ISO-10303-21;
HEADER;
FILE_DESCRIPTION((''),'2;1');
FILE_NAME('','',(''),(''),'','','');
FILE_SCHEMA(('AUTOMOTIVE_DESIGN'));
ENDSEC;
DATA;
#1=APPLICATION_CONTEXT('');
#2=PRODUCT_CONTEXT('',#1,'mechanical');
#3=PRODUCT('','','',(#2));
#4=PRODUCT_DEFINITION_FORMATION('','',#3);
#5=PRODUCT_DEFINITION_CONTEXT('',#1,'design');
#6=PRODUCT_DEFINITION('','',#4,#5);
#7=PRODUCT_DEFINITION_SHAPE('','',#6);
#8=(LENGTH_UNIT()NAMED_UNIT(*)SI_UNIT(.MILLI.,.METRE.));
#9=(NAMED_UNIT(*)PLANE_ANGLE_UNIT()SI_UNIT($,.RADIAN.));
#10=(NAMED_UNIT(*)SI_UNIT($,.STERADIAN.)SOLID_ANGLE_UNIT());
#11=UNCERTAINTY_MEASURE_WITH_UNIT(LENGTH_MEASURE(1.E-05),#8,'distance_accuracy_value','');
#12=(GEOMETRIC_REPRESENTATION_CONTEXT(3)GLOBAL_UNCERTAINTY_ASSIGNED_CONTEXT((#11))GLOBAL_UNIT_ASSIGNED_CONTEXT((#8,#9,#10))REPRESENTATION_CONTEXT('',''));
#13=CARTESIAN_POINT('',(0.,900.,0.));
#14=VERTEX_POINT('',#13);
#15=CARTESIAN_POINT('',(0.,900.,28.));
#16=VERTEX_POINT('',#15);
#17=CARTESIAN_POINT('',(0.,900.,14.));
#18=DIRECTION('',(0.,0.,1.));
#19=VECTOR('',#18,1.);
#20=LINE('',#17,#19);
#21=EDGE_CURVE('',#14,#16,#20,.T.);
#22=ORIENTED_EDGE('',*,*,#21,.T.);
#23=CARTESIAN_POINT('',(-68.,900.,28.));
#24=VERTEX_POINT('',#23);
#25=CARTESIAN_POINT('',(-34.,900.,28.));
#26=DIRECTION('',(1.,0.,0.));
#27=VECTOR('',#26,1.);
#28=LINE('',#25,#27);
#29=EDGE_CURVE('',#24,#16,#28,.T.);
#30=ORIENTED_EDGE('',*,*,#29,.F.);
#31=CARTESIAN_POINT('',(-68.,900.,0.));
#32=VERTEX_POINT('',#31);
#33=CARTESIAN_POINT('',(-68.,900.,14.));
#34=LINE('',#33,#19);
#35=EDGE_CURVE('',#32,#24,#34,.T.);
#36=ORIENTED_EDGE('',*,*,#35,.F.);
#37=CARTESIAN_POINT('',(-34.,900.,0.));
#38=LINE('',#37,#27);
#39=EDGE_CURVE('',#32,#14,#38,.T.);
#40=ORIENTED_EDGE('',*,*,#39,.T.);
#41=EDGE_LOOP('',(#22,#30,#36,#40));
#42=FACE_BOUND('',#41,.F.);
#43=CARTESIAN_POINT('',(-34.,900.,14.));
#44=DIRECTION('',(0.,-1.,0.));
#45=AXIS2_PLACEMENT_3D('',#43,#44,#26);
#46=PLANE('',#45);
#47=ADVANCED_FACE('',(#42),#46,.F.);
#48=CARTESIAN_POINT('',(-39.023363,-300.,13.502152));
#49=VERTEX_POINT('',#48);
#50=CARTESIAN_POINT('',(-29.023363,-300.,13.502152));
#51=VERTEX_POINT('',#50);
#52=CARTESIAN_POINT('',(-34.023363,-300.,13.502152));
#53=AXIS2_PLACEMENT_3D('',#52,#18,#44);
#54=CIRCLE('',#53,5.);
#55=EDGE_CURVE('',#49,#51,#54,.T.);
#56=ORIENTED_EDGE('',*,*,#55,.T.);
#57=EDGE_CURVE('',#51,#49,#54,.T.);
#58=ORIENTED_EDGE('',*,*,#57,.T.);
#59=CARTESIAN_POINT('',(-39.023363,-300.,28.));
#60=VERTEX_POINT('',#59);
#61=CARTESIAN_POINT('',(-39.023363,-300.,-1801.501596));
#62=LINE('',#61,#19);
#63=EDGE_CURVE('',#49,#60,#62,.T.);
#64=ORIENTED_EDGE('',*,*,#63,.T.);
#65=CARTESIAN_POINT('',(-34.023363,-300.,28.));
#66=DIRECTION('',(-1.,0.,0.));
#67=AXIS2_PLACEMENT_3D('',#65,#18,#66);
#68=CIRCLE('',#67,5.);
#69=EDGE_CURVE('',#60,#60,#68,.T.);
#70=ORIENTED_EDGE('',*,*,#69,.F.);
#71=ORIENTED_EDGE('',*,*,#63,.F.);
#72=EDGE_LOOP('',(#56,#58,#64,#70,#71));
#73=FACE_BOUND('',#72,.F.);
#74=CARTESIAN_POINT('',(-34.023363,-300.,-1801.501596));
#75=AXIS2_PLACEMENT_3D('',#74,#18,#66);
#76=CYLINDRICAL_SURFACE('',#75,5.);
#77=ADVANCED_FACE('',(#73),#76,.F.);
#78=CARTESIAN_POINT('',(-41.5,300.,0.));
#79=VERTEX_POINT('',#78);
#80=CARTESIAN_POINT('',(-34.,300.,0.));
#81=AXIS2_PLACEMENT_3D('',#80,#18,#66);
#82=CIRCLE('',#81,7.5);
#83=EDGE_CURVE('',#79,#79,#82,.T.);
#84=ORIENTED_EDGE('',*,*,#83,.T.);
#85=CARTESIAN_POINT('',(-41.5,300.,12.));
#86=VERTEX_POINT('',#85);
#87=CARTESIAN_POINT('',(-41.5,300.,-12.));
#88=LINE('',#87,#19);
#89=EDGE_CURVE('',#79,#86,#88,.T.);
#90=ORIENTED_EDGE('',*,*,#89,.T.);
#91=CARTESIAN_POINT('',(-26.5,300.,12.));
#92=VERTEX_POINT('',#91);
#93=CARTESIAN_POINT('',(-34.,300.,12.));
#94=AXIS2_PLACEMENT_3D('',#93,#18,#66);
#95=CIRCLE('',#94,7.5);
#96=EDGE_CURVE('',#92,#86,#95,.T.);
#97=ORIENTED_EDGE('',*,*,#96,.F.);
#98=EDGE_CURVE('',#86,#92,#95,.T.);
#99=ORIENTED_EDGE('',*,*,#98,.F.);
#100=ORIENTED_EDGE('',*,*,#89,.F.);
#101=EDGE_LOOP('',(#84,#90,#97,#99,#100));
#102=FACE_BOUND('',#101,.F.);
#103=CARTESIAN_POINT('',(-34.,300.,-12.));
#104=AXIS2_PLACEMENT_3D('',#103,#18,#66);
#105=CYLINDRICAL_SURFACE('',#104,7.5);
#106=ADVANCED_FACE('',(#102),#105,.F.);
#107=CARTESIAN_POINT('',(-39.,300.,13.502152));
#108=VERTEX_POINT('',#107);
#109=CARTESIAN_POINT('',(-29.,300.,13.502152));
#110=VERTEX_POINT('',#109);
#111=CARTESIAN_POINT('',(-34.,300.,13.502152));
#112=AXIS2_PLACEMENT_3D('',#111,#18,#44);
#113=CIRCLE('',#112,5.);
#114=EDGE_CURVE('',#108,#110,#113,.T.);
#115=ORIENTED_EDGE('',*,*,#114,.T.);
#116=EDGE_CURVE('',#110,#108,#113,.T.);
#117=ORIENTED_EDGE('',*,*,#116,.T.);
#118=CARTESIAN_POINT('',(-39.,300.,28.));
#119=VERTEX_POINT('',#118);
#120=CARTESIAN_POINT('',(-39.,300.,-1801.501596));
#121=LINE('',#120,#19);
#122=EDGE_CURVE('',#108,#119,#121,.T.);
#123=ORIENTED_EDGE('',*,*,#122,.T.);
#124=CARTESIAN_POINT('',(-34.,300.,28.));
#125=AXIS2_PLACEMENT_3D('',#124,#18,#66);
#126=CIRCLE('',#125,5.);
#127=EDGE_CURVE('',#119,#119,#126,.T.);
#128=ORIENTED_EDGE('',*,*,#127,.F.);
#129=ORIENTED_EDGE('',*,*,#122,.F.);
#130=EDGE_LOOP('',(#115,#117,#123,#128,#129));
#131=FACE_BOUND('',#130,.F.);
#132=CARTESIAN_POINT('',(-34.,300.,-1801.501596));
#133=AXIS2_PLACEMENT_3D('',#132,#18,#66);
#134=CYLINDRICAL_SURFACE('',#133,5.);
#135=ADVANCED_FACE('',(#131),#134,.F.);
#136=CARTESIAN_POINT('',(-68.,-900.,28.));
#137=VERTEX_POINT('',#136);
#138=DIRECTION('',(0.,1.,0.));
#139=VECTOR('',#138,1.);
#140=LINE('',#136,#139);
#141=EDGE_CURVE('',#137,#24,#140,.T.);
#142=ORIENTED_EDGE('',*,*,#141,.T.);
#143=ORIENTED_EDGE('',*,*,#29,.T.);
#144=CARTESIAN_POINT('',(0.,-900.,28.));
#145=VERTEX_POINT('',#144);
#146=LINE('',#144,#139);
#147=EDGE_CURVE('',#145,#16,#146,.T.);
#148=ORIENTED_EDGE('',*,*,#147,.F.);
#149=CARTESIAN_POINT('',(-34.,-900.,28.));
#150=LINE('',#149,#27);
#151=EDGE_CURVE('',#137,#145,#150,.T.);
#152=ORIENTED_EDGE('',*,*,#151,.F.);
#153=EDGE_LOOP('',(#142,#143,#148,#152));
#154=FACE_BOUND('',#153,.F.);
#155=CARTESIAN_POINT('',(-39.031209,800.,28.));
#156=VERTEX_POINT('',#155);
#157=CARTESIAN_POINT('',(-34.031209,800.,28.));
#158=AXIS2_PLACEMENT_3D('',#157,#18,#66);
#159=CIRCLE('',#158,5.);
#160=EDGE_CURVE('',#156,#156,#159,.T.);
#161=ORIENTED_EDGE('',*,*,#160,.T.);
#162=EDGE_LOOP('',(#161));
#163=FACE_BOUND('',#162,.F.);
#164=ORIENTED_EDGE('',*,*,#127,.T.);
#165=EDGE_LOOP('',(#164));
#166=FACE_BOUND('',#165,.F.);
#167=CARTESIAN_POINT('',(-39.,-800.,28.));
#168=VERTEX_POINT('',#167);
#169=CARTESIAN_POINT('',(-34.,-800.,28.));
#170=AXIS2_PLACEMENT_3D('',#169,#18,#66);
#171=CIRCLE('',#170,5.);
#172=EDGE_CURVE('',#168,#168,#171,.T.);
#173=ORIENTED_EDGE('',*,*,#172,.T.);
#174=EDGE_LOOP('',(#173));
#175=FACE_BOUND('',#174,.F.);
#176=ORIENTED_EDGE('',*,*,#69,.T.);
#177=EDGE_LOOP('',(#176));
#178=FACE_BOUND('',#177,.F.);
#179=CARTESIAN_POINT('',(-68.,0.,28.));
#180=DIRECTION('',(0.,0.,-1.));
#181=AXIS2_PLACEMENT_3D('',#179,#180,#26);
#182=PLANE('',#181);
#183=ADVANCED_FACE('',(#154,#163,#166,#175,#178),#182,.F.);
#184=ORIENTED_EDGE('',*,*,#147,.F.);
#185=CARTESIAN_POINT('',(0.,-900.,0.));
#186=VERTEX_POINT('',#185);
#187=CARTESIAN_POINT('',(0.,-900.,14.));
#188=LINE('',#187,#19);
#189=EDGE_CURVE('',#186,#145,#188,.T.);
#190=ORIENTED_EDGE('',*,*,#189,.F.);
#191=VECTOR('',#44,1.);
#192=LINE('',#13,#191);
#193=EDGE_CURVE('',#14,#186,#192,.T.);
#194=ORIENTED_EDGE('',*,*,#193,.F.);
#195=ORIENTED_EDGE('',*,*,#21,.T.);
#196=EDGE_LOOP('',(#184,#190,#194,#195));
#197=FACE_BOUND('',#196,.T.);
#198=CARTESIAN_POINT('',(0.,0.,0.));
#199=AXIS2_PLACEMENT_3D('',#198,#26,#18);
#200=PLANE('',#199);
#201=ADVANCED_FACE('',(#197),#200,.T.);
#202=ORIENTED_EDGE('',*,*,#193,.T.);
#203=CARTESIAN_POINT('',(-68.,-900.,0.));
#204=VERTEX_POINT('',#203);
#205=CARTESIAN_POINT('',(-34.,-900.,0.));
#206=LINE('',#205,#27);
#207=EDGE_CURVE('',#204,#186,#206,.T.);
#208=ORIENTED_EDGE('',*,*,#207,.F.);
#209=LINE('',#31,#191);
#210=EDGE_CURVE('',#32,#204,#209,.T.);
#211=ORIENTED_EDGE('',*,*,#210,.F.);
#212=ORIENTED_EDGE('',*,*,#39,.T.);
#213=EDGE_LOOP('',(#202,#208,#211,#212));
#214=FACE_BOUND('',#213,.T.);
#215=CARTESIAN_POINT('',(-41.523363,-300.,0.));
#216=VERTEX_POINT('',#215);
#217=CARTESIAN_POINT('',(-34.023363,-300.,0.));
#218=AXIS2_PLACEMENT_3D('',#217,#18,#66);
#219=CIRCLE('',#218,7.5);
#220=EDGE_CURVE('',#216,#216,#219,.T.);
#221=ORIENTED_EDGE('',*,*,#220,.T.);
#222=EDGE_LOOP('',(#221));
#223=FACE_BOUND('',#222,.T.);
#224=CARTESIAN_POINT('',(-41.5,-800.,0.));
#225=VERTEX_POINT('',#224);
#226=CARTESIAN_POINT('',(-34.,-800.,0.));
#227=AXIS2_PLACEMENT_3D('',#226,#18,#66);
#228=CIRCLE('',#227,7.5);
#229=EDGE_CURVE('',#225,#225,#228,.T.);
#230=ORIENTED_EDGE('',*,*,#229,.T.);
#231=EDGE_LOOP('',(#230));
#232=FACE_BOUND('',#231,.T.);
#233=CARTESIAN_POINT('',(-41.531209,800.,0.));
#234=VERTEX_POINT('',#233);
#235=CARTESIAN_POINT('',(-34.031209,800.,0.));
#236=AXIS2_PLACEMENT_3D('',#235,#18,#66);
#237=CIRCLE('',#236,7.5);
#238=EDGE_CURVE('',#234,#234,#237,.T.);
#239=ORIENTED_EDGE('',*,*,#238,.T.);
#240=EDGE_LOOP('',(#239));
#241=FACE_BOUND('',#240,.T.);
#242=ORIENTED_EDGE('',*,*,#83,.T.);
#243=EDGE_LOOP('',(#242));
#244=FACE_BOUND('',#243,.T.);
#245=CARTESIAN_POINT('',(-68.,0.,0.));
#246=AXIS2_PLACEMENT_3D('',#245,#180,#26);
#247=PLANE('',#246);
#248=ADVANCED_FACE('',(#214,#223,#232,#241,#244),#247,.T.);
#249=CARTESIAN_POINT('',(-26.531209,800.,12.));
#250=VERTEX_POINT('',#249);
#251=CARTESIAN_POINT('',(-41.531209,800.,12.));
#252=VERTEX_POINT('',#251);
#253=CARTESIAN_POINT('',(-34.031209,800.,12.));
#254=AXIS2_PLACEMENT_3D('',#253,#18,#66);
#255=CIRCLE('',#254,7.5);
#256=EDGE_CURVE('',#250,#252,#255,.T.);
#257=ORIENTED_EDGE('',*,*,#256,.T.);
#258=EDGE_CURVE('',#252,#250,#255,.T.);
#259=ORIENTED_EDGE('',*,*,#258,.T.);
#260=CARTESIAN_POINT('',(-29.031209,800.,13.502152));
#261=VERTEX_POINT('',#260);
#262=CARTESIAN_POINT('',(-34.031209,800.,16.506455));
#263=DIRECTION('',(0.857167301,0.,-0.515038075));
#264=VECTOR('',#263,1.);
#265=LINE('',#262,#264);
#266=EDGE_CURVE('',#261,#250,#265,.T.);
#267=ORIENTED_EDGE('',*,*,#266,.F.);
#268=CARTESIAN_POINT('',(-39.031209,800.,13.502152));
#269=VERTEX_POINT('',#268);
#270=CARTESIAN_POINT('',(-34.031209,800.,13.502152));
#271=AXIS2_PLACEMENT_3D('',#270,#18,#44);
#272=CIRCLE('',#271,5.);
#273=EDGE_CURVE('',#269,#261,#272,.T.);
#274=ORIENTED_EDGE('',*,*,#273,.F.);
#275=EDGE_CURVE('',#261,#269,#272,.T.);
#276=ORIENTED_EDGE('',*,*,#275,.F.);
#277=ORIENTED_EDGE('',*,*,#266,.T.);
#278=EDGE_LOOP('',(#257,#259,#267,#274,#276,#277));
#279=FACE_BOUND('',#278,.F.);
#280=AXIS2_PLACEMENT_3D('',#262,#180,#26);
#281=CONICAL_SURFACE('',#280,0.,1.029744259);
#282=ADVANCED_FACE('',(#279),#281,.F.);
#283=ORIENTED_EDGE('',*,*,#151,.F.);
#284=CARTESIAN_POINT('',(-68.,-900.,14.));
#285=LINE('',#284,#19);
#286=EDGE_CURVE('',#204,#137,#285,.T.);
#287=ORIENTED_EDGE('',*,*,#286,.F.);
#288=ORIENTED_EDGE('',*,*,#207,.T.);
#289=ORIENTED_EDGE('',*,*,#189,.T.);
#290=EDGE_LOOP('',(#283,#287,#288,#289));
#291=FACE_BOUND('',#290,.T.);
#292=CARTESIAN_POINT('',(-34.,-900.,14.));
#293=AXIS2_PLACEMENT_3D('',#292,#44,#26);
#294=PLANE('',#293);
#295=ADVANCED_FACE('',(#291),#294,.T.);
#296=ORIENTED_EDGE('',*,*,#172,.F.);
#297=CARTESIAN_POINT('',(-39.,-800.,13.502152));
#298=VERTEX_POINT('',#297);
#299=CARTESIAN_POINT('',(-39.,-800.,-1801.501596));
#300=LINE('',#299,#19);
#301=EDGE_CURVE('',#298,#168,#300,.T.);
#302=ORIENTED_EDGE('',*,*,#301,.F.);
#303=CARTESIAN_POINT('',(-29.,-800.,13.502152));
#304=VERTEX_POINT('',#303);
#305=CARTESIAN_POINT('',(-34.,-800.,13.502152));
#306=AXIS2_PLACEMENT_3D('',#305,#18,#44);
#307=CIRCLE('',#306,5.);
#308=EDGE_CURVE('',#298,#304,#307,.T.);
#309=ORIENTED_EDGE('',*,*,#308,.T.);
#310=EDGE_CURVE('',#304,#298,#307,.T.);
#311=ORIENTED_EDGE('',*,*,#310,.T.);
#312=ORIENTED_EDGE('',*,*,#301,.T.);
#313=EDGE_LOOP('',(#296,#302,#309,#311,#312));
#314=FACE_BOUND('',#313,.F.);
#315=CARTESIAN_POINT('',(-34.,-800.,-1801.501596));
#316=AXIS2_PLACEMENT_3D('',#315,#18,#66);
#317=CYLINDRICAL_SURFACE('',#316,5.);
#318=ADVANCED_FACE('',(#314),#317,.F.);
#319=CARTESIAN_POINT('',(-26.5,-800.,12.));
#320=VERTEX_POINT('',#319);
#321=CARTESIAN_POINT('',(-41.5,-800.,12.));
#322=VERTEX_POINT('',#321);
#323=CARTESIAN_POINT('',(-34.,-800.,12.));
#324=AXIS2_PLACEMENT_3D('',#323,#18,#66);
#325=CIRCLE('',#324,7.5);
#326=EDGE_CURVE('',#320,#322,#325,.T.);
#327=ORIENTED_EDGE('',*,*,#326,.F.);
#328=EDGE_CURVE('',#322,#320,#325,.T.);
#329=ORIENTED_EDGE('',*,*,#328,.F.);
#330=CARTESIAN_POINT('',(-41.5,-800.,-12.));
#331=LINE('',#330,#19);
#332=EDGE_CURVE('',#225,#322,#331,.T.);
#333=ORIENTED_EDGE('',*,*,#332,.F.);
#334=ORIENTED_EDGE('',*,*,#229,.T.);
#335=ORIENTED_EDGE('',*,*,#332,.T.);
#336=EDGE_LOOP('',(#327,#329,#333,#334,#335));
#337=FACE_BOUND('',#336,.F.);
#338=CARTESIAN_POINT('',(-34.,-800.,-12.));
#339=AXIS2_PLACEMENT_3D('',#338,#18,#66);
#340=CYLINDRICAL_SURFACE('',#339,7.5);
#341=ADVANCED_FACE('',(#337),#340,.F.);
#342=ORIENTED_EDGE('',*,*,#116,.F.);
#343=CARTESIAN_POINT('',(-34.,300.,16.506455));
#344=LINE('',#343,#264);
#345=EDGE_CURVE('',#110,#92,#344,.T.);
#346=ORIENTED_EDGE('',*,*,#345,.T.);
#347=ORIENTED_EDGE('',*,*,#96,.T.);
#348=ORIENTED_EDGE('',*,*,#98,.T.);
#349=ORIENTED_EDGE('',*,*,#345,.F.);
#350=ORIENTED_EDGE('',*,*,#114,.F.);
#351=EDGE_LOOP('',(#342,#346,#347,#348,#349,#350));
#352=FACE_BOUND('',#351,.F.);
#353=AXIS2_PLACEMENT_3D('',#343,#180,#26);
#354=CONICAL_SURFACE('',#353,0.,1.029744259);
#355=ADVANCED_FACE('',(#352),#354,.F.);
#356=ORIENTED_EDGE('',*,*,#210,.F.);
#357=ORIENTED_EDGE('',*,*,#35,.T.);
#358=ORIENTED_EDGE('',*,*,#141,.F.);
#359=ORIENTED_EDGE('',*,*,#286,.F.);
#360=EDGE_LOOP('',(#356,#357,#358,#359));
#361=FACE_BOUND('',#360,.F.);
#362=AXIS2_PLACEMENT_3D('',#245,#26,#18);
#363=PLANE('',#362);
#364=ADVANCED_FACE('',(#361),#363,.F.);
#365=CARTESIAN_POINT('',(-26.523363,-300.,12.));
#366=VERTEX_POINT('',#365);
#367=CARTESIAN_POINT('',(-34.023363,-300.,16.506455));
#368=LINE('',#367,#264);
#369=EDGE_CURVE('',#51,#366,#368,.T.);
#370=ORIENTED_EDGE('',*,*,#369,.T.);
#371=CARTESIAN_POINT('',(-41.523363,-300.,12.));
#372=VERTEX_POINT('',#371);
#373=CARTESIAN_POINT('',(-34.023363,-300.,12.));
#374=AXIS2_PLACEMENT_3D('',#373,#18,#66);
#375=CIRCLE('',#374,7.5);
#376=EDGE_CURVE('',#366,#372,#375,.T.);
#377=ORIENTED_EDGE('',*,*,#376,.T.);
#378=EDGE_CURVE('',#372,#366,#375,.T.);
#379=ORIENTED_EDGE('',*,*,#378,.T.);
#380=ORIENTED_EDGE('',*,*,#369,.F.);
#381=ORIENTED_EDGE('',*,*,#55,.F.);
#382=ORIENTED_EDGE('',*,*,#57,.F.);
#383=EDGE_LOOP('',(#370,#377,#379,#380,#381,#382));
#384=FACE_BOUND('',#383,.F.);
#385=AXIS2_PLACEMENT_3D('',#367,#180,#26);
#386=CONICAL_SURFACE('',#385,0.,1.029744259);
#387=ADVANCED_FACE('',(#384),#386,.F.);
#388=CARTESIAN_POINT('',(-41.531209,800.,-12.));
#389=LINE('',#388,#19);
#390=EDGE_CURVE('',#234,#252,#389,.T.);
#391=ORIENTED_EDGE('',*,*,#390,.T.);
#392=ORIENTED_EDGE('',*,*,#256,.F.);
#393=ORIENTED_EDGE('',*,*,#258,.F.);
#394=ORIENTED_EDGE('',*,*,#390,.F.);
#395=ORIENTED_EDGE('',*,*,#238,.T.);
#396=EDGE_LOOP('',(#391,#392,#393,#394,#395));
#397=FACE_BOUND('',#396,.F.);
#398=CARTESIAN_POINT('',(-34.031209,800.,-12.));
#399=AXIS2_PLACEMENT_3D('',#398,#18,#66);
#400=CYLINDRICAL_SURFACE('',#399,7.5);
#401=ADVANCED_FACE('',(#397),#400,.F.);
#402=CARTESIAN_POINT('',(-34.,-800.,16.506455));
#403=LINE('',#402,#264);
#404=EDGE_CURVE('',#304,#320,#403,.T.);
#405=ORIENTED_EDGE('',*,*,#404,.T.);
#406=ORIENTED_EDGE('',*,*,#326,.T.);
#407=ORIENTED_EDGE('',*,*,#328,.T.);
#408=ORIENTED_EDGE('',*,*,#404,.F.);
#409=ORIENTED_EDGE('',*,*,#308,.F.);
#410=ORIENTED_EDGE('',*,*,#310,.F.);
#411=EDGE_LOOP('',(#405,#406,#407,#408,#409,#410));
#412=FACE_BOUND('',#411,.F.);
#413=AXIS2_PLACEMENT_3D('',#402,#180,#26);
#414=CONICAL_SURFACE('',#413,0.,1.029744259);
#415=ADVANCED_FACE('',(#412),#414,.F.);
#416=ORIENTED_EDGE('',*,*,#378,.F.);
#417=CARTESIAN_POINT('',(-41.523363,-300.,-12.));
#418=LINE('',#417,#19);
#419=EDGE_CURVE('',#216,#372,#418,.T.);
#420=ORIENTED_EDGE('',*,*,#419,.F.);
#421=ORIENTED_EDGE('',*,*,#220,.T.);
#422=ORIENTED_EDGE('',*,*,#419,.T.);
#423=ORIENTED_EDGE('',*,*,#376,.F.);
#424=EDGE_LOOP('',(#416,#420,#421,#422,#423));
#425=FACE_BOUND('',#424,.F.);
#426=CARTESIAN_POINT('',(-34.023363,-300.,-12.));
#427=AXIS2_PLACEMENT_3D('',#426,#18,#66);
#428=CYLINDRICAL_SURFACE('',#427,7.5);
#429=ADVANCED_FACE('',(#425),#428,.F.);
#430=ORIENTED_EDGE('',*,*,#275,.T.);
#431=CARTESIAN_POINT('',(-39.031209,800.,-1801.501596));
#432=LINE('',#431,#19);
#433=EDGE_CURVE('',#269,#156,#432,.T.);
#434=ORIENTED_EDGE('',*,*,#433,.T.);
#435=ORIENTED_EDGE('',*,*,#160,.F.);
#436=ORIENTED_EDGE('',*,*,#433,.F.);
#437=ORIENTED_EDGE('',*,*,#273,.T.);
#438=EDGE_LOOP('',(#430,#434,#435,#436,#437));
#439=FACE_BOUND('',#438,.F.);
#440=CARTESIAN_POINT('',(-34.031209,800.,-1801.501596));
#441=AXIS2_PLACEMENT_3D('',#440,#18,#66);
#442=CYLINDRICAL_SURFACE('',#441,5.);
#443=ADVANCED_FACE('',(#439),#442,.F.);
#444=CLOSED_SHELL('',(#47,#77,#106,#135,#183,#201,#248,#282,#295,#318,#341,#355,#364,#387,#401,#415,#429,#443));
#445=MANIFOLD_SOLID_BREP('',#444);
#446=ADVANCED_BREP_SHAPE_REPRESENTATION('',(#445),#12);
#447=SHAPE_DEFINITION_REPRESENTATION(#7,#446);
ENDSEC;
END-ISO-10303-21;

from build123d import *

# Parameters (mm, degrees)
F0_W      = 68
F0_H      = 28
F1_DEPTH  = 900
F3_D      = 10
F4_D      = 15
F4_DEPTH  = 12
F4_TIP    = 4.5064546427
F5_D      = 10
F6_D      = 15
F6_DEPTH  = 12
F6_TIP    = 4.5064546427
F7_D      = 15
F7_DEPTH  = 12
F7_TIP    = 4.5064546427
F8_D      = 10
F9_D      = 10
F10_D     = 15
F10_DEPTH = 12
F10_TIP   = 4.5064546427


with BuildPart() as f1:
    # F0 (on Front) → F1 (new body, symmetric)
    with BuildSketch(Plane.XZ):
        with Locations((-34, 14)):
            Rectangle(F0_W, F0_H)
    extrude(amount=F1_DEPTH, both=True)

    # F3 (through all)
    with Locations(Plane(origin=(0, 0, 0), x_dir=(1, 0, 0), z_dir=(0, 0, -1))):
        with Locations((-34.0233631432, 300)):
            Hole(F3_D / 2)

    # F4
    with Locations(Plane(origin=(0, 0, 0), x_dir=(1, 0, 0), z_dir=(0, 0, -1))):
        with Locations((-34.0233631432, 300)):
            Hole(F4_D / 2, depth=F4_DEPTH)
            with Locations((0, 0, -(F4_DEPTH + F4_TIP / 2))):  # 118° drill point
                Cone(0, F4_D / 2, F4_TIP, mode=Mode.SUBTRACT)

    # F5 (through all)
    with Locations(Plane(origin=(0, 0, 0), x_dir=(1, 0, 0), z_dir=(0, 0, -1))):
        with Locations((-34, -300)):
            Hole(F5_D / 2)

    # F6
    with Locations(Plane(origin=(0, 0, 0), x_dir=(1, 0, 0), z_dir=(0, 0, -1))):
        with Locations((-34, -300)):
            Hole(F6_D / 2, depth=F6_DEPTH)
            with Locations((0, 0, -(F6_DEPTH + F6_TIP / 2))):  # 118° drill point
                Cone(0, F6_D / 2, F6_TIP, mode=Mode.SUBTRACT)

    # F7
    with Locations(Plane(origin=(0, 0, 0), x_dir=(1, 0, 0), z_dir=(0, 0, -1))):
        with Locations((-34, 800)):
            Hole(F7_D / 2, depth=F7_DEPTH)
            with Locations((0, 0, -(F7_DEPTH + F7_TIP / 2))):  # 118° drill point
                Cone(0, F7_D / 2, F7_TIP, mode=Mode.SUBTRACT)

    # F8 (through all)
    with Locations(Plane(origin=(0, 0, 0), x_dir=(1, 0, 0), z_dir=(0, 0, -1))):
        with Locations((-34, 800)):
            Hole(F8_D / 2)

    # F9 (through all)
    with Locations(Plane(origin=(0, 0, 0), x_dir=(1, 0, 0), z_dir=(0, 0, -1))):
        with Locations((-34.0312086046, -800)):
            Hole(F9_D / 2)

    # F10
    with Locations(Plane(origin=(0, 0, 0), x_dir=(1, 0, 0), z_dir=(0, 0, -1))):
        with Locations((-34.0312086046, -800)):
            Hole(F10_D / 2, depth=F10_DEPTH)
            with Locations((0, 0, -(F10_DEPTH + F10_TIP / 2))):  # 118° drill point
                Cone(0, F10_D / 2, F10_TIP, mode=Mode.SUBTRACT)


solid = f1.part
